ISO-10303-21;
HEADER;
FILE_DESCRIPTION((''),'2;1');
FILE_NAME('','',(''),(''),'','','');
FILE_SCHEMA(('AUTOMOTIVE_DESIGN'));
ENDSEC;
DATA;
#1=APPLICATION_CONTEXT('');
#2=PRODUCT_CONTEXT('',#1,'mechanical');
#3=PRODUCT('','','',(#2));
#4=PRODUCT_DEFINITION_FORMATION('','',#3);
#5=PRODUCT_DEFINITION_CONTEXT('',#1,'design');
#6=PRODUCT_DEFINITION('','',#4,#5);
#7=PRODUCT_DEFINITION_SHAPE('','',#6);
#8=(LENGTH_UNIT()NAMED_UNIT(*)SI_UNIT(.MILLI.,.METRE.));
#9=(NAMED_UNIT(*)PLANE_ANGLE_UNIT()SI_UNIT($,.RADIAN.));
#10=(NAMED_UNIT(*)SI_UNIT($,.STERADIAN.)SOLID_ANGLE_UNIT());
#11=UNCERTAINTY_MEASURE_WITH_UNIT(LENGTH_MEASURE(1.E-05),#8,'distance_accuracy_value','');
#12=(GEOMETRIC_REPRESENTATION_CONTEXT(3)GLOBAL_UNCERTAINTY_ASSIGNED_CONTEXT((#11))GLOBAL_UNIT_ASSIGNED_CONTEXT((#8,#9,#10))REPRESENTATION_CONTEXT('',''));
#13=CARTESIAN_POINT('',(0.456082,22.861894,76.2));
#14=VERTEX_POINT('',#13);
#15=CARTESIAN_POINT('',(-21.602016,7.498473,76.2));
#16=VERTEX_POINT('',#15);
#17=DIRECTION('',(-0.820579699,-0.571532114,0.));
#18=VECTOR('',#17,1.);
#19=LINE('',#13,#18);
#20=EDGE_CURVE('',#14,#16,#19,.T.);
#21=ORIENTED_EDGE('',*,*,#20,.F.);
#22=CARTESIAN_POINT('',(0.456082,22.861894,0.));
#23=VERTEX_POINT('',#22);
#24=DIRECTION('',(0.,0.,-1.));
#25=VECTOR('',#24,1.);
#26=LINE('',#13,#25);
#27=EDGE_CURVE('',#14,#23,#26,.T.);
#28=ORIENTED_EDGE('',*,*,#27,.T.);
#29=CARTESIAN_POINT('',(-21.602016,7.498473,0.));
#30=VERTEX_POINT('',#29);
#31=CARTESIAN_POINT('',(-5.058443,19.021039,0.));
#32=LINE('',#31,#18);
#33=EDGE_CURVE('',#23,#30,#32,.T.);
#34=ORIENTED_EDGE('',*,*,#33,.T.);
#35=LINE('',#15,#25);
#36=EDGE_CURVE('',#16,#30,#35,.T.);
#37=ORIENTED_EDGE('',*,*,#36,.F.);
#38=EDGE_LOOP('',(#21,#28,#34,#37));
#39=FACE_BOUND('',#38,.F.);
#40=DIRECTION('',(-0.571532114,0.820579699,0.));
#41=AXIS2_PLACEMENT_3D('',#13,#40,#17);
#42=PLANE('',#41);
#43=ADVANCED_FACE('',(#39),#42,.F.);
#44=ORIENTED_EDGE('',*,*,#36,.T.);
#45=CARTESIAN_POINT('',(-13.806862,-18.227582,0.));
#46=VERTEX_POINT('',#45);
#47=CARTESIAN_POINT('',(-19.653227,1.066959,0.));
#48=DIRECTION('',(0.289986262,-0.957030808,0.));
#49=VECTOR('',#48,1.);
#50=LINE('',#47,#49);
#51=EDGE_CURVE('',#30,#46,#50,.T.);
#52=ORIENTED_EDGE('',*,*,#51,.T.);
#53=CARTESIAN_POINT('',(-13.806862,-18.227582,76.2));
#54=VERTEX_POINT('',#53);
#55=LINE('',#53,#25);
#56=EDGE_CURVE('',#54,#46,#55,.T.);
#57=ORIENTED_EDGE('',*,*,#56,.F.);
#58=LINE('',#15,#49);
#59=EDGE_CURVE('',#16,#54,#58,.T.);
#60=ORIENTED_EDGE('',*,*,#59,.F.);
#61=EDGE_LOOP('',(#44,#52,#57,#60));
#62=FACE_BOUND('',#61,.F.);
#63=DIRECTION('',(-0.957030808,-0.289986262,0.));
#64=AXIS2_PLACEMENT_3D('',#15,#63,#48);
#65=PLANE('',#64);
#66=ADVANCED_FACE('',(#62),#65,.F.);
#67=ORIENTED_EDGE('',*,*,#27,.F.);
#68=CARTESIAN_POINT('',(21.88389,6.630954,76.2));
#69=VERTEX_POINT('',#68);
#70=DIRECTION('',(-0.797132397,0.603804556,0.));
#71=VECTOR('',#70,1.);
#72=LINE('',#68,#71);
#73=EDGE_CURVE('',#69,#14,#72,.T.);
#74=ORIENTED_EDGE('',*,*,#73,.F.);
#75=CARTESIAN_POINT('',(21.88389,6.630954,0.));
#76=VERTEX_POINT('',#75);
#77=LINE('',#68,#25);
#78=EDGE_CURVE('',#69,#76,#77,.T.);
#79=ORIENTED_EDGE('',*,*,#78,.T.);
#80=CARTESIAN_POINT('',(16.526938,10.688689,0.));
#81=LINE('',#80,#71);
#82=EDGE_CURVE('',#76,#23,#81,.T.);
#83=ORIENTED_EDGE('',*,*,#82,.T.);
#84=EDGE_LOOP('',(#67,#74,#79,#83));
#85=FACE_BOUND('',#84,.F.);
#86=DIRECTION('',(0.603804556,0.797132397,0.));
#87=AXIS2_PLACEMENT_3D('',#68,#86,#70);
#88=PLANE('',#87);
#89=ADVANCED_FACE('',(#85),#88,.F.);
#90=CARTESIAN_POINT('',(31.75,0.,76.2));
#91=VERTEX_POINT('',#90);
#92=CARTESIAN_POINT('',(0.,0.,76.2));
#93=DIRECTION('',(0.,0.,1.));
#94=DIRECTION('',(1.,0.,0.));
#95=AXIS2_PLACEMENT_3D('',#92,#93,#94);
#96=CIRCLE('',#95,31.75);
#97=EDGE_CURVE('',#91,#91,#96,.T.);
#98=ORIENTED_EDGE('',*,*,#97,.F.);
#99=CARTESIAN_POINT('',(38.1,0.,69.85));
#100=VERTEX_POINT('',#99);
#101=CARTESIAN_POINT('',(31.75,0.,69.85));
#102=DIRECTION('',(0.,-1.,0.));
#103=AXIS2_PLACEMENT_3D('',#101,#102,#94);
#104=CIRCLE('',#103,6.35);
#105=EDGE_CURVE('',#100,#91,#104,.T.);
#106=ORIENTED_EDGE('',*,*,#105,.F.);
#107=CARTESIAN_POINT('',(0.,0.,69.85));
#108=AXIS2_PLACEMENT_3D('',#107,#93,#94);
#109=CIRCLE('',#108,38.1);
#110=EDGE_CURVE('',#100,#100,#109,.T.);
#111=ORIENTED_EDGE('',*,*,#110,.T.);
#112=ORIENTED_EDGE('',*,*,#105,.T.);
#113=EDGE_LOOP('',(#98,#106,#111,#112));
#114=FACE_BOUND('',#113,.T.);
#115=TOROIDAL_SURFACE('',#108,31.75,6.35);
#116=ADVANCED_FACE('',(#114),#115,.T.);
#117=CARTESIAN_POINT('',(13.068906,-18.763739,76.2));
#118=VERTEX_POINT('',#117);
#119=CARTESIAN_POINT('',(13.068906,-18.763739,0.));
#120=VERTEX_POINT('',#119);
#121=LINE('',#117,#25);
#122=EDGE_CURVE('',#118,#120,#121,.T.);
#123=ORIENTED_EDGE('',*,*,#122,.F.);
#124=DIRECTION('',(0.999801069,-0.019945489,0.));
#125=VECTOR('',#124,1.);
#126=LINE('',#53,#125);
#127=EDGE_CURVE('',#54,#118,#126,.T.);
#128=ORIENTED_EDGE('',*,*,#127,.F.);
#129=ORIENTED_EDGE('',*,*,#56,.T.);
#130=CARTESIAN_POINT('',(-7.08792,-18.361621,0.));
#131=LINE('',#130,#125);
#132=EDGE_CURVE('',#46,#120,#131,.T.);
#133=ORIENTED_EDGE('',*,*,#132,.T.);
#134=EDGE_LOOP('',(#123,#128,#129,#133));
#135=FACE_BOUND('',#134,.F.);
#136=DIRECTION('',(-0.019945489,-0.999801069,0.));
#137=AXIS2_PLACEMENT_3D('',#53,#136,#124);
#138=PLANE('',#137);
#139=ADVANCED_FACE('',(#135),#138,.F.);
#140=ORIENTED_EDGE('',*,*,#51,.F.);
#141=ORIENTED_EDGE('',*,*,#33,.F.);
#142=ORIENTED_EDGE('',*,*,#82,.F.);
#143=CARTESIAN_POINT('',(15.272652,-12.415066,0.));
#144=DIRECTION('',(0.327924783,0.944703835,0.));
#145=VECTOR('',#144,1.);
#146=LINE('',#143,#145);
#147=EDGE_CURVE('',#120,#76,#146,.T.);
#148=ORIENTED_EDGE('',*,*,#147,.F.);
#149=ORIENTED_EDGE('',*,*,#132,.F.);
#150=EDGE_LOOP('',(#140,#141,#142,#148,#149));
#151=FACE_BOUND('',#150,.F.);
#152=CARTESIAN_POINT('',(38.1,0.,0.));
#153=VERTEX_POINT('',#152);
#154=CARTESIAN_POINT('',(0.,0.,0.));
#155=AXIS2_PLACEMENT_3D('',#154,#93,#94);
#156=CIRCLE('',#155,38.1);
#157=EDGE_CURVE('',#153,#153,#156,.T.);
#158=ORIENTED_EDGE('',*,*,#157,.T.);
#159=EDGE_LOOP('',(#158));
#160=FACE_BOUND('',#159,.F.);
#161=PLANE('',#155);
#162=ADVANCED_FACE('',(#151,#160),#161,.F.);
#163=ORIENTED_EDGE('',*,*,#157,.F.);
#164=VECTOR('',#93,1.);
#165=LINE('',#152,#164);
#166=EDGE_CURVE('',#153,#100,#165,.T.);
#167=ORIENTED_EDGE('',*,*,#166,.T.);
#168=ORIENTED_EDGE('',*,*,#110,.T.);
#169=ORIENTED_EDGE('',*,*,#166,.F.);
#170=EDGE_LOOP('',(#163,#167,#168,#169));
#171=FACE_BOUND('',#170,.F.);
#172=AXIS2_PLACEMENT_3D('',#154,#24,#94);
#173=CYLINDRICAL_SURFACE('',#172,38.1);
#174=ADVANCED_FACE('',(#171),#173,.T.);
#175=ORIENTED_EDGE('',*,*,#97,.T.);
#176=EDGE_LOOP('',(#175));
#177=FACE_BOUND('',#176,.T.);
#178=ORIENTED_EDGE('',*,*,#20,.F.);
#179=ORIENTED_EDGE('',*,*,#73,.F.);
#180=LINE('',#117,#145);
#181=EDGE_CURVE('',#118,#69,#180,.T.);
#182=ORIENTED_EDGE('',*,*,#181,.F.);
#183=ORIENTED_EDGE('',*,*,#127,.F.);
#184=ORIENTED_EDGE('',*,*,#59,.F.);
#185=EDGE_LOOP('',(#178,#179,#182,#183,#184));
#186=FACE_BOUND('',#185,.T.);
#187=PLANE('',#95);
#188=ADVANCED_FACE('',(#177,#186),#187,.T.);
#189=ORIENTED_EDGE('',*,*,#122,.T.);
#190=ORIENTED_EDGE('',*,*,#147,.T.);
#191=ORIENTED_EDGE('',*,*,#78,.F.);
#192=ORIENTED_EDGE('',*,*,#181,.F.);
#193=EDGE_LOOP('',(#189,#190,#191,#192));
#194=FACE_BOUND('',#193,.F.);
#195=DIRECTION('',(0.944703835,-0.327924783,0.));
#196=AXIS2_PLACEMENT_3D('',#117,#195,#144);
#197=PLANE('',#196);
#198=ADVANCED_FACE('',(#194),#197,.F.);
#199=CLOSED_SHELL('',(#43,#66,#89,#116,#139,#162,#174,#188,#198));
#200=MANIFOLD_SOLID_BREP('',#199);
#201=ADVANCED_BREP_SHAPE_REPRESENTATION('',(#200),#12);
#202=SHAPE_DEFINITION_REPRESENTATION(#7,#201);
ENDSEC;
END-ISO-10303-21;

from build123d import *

# Parameters (mm, degrees)
F0_R     = 38.1
F1_DEPTH = 76.2
F3_DEPTH = 76.201
F4_R     = 6.35


with BuildPart() as f1:
    # F0 (on Top) → F1 (new body)
    with BuildSketch(Plane.XY):
        Circle(F0_R)
    extrude(amount=F1_DEPTH)

    # F2 (on face) → F3 (cut, through all)
    with BuildSketch(Plane.XY.offset(76.2)):
        Polygon((0.456082, 22.861894), (-21.602016, 7.498473), (-13.806862, -18.227582), (13.068906, -18.763739), (21.88389, 6.630954), align=None)
    extrude(amount=-F3_DEPTH, mode=Mode.SUBTRACT)

    # F4
    f4_edges = [f1.edges().sort_by_distance(p)[0] for p in [
        (-38.1, 0, 76.2),
    ]]
    fillet(f4_edges, radius=F4_R)


solid = f1.part
